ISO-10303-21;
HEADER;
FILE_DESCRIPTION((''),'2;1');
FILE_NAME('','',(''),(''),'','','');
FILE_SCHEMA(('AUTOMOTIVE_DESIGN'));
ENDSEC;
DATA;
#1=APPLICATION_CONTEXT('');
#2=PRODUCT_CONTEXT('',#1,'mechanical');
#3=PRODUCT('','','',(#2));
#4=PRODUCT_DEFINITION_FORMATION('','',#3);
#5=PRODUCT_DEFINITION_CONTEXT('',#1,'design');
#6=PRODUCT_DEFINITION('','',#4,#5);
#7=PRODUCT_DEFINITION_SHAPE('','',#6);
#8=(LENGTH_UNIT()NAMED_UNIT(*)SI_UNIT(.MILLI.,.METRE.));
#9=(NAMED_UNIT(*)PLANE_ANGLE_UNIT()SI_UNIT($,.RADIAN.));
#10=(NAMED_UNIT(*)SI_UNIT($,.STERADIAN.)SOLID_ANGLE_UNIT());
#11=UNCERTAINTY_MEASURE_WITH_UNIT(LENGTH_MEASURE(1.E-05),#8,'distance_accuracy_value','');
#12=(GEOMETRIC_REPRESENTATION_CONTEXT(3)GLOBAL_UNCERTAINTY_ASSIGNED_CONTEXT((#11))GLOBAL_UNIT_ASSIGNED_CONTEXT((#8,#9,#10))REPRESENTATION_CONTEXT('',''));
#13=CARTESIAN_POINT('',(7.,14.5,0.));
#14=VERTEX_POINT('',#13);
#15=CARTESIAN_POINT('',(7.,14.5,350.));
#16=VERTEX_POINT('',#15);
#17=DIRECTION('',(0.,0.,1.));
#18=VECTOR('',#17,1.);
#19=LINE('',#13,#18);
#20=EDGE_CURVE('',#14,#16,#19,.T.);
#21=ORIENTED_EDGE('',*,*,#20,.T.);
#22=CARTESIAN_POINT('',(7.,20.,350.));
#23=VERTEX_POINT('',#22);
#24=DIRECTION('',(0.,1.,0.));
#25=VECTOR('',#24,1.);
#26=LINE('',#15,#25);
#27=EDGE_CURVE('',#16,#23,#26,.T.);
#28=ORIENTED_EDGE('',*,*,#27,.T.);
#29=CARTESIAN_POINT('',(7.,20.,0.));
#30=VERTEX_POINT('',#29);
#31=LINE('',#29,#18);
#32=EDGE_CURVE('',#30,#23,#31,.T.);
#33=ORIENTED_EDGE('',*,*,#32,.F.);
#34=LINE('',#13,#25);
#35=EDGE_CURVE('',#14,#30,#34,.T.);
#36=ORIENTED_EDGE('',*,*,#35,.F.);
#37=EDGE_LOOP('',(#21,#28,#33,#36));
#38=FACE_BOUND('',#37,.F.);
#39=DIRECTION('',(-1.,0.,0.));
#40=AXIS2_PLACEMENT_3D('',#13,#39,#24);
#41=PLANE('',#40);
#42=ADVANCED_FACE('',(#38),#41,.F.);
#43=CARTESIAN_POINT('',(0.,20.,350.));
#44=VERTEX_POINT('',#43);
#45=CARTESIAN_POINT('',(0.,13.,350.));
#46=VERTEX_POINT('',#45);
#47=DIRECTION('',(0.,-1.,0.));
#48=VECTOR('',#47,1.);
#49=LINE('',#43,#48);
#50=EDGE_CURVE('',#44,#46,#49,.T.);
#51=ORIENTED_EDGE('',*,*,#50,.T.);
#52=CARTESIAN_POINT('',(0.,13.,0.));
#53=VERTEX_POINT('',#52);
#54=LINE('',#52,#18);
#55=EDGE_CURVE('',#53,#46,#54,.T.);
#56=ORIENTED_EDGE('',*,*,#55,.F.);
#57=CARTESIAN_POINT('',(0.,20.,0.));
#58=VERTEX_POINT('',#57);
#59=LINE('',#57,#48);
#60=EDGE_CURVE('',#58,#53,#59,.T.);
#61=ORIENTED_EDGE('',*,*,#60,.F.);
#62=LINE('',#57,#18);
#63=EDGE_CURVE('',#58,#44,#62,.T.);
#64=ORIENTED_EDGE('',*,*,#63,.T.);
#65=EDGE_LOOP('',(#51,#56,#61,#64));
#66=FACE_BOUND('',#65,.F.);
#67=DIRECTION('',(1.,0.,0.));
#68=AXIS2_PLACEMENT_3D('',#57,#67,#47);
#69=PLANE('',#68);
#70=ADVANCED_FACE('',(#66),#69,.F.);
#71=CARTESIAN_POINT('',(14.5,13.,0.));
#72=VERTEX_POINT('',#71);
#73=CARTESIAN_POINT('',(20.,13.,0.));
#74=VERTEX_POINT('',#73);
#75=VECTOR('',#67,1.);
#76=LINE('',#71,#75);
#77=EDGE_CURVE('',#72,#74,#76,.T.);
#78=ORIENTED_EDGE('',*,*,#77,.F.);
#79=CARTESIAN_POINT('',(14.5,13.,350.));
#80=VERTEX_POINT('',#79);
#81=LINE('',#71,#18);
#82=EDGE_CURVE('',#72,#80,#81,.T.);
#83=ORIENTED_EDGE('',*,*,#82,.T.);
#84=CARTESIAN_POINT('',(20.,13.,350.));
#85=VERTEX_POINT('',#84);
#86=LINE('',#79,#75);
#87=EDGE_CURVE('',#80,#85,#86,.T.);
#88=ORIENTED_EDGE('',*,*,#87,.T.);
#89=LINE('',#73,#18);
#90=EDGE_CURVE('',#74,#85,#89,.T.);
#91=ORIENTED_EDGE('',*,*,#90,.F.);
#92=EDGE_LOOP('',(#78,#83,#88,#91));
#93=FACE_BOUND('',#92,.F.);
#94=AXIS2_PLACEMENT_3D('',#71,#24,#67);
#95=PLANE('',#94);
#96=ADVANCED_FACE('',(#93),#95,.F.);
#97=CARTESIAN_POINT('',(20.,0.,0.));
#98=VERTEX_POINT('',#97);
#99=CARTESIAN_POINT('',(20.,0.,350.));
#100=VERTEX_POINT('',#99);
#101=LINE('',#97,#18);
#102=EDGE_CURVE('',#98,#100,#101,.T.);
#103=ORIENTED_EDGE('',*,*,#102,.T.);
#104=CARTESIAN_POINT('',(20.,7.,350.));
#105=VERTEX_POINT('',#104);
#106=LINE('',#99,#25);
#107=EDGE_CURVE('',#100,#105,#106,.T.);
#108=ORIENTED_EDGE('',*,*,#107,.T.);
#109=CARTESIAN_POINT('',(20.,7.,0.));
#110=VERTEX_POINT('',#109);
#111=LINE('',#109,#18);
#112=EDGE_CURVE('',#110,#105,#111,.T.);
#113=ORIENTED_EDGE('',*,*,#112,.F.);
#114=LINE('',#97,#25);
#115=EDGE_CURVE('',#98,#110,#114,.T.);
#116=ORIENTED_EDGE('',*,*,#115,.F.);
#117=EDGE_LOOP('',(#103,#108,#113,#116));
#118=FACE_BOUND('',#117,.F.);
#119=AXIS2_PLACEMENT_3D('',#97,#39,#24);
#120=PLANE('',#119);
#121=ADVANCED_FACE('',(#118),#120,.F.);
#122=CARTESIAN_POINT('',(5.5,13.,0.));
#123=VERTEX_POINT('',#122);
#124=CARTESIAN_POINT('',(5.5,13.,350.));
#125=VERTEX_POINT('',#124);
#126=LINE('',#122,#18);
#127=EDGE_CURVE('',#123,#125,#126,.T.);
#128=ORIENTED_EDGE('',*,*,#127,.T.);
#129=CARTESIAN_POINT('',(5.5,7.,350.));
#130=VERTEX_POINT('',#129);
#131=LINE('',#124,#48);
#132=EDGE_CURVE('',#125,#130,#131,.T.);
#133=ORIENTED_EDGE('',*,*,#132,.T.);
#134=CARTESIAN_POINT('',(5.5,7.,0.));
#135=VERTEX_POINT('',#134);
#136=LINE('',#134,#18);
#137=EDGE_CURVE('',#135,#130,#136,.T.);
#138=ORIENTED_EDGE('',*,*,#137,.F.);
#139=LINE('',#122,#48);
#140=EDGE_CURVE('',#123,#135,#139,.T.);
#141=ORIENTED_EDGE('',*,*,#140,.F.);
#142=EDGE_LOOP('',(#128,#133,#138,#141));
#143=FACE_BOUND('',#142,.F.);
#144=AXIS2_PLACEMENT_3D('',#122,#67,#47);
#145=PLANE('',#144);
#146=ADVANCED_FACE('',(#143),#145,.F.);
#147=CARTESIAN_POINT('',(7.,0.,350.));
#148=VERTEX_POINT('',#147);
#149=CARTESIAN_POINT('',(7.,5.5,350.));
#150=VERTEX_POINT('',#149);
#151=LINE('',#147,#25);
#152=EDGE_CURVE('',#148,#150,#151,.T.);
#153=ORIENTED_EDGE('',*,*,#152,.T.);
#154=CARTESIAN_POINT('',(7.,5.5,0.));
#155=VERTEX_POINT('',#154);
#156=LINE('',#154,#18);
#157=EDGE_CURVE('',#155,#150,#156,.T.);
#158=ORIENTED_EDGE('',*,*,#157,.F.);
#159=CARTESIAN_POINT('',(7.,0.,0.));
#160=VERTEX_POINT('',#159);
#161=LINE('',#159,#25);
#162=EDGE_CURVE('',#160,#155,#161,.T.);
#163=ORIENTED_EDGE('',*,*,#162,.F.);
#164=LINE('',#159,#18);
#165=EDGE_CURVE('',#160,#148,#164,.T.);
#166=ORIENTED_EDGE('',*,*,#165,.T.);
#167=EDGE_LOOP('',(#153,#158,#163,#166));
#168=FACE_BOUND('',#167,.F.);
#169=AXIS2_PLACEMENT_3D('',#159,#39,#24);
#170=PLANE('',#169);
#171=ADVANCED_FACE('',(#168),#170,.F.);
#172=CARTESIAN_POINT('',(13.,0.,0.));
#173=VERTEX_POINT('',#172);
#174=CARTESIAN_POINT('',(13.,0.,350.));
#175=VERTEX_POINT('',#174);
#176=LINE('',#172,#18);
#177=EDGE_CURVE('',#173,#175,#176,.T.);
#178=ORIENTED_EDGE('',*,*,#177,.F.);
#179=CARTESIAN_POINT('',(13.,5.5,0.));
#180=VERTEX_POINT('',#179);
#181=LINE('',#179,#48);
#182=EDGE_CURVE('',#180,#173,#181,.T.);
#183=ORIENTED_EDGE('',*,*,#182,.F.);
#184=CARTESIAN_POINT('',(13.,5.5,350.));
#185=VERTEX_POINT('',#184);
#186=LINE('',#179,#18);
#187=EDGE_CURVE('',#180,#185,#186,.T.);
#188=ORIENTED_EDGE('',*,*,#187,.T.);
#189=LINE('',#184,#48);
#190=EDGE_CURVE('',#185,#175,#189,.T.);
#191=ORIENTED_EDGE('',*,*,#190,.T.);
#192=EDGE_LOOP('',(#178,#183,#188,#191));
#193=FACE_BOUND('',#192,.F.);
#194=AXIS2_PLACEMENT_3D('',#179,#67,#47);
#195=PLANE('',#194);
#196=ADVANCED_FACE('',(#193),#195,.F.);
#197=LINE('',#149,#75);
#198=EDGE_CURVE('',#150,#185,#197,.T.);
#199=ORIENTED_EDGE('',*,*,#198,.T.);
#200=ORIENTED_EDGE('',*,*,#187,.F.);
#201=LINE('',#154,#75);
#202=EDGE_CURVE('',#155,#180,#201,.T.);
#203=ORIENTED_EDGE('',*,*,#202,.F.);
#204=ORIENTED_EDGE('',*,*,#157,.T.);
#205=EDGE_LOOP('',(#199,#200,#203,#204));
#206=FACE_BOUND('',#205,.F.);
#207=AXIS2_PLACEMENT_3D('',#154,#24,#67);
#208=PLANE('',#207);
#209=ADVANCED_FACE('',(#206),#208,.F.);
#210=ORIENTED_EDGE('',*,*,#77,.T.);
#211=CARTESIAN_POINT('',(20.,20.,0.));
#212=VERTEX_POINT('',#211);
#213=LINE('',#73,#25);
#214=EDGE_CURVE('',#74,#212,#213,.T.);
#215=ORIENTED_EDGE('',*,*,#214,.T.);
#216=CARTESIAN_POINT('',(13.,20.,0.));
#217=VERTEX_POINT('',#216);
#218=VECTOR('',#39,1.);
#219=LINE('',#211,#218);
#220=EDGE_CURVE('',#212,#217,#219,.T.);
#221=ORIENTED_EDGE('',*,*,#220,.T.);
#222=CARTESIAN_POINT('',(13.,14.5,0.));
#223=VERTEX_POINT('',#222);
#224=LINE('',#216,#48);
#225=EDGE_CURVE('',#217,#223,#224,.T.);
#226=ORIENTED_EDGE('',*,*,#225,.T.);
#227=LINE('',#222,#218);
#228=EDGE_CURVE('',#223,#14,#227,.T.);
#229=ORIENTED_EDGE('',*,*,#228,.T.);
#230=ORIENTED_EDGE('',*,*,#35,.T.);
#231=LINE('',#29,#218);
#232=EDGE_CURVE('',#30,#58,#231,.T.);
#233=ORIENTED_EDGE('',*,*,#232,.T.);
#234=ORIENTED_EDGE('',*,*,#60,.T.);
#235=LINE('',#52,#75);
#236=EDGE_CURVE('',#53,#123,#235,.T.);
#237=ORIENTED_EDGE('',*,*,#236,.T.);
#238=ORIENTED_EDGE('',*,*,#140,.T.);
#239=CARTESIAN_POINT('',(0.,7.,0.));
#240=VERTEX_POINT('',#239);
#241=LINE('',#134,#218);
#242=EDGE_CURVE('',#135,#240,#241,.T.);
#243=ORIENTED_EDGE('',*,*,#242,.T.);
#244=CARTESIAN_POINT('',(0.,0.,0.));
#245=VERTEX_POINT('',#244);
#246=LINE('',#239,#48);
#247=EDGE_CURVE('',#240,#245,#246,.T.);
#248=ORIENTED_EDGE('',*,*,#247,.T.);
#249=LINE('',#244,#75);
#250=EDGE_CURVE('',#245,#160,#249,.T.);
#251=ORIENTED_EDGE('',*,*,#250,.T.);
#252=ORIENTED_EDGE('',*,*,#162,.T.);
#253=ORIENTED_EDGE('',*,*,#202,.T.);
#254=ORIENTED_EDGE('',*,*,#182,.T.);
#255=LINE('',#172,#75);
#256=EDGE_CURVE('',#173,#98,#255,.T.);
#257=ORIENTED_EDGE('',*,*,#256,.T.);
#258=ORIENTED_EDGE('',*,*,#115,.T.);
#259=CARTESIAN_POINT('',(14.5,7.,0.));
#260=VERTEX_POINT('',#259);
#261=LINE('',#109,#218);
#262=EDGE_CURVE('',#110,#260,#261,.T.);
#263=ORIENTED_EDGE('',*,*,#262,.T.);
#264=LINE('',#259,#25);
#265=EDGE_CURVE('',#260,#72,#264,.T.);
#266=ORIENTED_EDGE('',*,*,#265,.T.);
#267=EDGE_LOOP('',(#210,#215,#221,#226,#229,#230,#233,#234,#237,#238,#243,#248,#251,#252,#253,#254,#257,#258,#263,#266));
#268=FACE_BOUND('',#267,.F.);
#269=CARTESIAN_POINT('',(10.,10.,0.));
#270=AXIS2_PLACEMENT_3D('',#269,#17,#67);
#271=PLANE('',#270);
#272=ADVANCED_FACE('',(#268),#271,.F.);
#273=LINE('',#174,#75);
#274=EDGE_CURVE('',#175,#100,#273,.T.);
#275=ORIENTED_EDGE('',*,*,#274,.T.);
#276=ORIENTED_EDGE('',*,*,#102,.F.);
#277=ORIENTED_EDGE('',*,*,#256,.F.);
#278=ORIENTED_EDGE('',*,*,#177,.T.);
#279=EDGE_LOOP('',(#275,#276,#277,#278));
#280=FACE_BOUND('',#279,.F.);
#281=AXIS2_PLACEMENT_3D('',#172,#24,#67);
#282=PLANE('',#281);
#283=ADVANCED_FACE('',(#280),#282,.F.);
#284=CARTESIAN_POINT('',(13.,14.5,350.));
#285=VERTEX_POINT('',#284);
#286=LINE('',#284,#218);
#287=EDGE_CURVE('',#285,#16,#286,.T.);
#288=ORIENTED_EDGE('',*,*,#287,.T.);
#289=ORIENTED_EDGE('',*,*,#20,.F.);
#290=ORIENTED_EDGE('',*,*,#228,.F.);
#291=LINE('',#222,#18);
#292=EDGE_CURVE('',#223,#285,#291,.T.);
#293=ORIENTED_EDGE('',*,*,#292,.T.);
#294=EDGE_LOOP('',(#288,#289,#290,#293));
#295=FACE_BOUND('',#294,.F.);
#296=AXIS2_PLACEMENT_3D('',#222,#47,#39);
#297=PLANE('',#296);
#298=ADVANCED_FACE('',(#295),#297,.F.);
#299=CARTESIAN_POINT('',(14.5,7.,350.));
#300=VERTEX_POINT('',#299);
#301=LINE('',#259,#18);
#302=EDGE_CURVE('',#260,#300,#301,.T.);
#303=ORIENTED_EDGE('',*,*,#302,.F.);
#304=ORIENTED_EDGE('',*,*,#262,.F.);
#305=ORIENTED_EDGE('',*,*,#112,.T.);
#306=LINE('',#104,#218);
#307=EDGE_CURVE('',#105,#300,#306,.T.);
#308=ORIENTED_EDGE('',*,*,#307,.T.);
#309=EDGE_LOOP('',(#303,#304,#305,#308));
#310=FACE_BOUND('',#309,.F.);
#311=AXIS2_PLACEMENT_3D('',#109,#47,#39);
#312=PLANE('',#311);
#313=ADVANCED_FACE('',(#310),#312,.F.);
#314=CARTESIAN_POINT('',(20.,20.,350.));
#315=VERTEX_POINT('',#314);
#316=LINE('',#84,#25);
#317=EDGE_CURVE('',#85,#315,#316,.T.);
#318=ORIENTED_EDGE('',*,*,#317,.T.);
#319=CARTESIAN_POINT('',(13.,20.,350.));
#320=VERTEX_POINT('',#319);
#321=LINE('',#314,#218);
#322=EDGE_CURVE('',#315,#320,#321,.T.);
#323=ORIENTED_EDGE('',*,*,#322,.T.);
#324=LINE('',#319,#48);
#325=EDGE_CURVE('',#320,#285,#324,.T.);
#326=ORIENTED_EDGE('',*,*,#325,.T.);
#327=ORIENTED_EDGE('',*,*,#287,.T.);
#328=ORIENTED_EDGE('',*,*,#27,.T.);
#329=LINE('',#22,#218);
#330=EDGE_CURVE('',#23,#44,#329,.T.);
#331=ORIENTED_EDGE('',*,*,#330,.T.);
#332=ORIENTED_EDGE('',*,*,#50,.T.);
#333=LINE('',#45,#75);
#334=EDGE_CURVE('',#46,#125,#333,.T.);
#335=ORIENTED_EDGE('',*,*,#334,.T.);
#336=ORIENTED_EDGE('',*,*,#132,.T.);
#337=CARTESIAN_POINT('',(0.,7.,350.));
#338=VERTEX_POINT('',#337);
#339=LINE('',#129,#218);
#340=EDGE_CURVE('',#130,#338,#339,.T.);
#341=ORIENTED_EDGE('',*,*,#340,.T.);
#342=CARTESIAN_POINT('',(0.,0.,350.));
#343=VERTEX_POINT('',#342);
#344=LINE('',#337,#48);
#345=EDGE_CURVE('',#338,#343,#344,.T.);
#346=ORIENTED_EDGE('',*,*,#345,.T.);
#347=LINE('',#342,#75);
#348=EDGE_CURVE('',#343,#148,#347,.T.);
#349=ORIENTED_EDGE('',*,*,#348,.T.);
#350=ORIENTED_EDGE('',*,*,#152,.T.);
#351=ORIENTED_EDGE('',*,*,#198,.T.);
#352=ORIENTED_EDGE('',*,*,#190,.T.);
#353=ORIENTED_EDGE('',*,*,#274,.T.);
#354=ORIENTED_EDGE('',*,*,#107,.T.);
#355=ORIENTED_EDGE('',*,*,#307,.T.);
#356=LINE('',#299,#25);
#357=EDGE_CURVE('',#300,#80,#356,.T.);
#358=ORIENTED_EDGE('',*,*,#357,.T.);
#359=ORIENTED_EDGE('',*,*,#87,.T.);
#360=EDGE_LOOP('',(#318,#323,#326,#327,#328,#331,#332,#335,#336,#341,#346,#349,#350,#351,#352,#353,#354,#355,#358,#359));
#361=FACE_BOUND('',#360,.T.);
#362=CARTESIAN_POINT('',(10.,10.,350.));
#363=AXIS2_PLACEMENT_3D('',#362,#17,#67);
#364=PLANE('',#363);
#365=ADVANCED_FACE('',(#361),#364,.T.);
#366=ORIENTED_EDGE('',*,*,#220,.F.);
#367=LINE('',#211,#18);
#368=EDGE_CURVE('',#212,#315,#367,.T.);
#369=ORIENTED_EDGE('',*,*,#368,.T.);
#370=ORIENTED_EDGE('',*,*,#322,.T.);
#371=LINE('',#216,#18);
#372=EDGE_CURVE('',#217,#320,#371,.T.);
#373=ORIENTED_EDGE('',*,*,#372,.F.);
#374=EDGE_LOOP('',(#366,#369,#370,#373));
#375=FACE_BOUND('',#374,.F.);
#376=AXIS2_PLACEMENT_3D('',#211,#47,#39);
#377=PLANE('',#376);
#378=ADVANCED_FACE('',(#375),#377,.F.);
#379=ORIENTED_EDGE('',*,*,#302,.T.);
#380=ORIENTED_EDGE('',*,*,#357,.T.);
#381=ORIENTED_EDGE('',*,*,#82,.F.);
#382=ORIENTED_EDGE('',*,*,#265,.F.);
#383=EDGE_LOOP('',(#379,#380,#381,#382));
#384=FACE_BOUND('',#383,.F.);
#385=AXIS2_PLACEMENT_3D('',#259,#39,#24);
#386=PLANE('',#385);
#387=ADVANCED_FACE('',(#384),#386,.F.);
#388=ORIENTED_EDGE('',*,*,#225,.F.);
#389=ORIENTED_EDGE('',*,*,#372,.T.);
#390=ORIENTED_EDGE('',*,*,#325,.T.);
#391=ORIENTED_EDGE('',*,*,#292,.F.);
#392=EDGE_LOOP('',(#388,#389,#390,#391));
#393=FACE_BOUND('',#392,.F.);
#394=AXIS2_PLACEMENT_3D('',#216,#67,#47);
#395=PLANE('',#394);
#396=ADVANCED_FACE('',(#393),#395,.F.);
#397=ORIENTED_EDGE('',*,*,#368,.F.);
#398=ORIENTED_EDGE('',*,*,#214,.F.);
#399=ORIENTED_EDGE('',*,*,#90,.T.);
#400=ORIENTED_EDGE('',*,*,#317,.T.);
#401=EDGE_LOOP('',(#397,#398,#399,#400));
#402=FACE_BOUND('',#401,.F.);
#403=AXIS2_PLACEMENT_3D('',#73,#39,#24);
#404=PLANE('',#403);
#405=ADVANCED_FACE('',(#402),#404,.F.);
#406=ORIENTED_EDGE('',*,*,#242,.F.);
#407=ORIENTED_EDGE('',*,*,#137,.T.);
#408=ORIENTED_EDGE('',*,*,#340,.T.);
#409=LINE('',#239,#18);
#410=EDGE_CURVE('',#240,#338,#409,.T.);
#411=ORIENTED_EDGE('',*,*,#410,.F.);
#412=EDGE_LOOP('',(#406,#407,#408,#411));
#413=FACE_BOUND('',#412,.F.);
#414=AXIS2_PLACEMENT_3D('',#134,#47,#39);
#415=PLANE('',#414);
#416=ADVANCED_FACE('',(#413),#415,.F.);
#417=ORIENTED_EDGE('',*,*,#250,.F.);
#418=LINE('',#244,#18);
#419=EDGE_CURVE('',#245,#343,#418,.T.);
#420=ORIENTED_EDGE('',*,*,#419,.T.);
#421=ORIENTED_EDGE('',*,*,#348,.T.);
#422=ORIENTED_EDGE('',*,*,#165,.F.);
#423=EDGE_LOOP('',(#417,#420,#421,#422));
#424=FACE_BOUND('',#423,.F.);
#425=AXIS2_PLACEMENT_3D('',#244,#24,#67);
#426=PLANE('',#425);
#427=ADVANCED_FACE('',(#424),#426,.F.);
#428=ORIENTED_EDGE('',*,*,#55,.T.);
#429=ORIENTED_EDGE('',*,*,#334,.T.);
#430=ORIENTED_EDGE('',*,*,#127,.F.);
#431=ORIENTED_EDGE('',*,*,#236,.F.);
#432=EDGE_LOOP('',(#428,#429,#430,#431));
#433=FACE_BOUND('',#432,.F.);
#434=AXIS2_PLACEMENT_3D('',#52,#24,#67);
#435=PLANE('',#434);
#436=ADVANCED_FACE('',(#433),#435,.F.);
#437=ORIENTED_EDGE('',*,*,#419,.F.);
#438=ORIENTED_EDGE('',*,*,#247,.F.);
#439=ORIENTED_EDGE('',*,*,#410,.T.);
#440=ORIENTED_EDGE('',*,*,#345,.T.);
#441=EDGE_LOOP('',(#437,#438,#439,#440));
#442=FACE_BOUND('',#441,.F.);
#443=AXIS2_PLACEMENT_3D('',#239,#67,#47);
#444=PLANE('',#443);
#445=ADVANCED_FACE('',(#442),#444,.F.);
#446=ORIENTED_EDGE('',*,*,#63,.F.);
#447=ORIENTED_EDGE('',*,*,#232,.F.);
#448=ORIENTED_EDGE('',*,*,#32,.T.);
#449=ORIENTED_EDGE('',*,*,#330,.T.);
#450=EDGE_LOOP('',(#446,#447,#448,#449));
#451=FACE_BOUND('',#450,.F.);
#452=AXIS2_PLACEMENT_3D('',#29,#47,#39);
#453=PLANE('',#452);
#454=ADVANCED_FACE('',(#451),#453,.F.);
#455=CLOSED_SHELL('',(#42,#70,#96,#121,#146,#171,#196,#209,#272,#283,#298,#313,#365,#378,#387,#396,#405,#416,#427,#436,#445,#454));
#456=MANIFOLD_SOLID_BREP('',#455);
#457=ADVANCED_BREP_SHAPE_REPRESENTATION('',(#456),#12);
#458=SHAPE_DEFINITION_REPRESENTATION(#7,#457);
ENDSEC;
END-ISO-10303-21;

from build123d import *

# Parameters (mm, degrees)
F1_DEPTH = 350


with BuildPart() as f1:
    # F0 (on Top) → F1 (new body)
    with BuildSketch(Plane.XY):
        Polygon((0, 7), (0, 0), (7, 0), (7, 5.5), (13, 5.5), (13, 0), (20, 0), (20, 7), (14.5, 7), (14.5, 13), (20, 13), (20, 20), (13, 20), (13, 14.5), (7, 14.5), (7, 20), (0, 20), (0, 13), (5.5, 13), (5.5, 7), align=None)
    extrude(amount=F1_DEPTH)


solid = f1.part
